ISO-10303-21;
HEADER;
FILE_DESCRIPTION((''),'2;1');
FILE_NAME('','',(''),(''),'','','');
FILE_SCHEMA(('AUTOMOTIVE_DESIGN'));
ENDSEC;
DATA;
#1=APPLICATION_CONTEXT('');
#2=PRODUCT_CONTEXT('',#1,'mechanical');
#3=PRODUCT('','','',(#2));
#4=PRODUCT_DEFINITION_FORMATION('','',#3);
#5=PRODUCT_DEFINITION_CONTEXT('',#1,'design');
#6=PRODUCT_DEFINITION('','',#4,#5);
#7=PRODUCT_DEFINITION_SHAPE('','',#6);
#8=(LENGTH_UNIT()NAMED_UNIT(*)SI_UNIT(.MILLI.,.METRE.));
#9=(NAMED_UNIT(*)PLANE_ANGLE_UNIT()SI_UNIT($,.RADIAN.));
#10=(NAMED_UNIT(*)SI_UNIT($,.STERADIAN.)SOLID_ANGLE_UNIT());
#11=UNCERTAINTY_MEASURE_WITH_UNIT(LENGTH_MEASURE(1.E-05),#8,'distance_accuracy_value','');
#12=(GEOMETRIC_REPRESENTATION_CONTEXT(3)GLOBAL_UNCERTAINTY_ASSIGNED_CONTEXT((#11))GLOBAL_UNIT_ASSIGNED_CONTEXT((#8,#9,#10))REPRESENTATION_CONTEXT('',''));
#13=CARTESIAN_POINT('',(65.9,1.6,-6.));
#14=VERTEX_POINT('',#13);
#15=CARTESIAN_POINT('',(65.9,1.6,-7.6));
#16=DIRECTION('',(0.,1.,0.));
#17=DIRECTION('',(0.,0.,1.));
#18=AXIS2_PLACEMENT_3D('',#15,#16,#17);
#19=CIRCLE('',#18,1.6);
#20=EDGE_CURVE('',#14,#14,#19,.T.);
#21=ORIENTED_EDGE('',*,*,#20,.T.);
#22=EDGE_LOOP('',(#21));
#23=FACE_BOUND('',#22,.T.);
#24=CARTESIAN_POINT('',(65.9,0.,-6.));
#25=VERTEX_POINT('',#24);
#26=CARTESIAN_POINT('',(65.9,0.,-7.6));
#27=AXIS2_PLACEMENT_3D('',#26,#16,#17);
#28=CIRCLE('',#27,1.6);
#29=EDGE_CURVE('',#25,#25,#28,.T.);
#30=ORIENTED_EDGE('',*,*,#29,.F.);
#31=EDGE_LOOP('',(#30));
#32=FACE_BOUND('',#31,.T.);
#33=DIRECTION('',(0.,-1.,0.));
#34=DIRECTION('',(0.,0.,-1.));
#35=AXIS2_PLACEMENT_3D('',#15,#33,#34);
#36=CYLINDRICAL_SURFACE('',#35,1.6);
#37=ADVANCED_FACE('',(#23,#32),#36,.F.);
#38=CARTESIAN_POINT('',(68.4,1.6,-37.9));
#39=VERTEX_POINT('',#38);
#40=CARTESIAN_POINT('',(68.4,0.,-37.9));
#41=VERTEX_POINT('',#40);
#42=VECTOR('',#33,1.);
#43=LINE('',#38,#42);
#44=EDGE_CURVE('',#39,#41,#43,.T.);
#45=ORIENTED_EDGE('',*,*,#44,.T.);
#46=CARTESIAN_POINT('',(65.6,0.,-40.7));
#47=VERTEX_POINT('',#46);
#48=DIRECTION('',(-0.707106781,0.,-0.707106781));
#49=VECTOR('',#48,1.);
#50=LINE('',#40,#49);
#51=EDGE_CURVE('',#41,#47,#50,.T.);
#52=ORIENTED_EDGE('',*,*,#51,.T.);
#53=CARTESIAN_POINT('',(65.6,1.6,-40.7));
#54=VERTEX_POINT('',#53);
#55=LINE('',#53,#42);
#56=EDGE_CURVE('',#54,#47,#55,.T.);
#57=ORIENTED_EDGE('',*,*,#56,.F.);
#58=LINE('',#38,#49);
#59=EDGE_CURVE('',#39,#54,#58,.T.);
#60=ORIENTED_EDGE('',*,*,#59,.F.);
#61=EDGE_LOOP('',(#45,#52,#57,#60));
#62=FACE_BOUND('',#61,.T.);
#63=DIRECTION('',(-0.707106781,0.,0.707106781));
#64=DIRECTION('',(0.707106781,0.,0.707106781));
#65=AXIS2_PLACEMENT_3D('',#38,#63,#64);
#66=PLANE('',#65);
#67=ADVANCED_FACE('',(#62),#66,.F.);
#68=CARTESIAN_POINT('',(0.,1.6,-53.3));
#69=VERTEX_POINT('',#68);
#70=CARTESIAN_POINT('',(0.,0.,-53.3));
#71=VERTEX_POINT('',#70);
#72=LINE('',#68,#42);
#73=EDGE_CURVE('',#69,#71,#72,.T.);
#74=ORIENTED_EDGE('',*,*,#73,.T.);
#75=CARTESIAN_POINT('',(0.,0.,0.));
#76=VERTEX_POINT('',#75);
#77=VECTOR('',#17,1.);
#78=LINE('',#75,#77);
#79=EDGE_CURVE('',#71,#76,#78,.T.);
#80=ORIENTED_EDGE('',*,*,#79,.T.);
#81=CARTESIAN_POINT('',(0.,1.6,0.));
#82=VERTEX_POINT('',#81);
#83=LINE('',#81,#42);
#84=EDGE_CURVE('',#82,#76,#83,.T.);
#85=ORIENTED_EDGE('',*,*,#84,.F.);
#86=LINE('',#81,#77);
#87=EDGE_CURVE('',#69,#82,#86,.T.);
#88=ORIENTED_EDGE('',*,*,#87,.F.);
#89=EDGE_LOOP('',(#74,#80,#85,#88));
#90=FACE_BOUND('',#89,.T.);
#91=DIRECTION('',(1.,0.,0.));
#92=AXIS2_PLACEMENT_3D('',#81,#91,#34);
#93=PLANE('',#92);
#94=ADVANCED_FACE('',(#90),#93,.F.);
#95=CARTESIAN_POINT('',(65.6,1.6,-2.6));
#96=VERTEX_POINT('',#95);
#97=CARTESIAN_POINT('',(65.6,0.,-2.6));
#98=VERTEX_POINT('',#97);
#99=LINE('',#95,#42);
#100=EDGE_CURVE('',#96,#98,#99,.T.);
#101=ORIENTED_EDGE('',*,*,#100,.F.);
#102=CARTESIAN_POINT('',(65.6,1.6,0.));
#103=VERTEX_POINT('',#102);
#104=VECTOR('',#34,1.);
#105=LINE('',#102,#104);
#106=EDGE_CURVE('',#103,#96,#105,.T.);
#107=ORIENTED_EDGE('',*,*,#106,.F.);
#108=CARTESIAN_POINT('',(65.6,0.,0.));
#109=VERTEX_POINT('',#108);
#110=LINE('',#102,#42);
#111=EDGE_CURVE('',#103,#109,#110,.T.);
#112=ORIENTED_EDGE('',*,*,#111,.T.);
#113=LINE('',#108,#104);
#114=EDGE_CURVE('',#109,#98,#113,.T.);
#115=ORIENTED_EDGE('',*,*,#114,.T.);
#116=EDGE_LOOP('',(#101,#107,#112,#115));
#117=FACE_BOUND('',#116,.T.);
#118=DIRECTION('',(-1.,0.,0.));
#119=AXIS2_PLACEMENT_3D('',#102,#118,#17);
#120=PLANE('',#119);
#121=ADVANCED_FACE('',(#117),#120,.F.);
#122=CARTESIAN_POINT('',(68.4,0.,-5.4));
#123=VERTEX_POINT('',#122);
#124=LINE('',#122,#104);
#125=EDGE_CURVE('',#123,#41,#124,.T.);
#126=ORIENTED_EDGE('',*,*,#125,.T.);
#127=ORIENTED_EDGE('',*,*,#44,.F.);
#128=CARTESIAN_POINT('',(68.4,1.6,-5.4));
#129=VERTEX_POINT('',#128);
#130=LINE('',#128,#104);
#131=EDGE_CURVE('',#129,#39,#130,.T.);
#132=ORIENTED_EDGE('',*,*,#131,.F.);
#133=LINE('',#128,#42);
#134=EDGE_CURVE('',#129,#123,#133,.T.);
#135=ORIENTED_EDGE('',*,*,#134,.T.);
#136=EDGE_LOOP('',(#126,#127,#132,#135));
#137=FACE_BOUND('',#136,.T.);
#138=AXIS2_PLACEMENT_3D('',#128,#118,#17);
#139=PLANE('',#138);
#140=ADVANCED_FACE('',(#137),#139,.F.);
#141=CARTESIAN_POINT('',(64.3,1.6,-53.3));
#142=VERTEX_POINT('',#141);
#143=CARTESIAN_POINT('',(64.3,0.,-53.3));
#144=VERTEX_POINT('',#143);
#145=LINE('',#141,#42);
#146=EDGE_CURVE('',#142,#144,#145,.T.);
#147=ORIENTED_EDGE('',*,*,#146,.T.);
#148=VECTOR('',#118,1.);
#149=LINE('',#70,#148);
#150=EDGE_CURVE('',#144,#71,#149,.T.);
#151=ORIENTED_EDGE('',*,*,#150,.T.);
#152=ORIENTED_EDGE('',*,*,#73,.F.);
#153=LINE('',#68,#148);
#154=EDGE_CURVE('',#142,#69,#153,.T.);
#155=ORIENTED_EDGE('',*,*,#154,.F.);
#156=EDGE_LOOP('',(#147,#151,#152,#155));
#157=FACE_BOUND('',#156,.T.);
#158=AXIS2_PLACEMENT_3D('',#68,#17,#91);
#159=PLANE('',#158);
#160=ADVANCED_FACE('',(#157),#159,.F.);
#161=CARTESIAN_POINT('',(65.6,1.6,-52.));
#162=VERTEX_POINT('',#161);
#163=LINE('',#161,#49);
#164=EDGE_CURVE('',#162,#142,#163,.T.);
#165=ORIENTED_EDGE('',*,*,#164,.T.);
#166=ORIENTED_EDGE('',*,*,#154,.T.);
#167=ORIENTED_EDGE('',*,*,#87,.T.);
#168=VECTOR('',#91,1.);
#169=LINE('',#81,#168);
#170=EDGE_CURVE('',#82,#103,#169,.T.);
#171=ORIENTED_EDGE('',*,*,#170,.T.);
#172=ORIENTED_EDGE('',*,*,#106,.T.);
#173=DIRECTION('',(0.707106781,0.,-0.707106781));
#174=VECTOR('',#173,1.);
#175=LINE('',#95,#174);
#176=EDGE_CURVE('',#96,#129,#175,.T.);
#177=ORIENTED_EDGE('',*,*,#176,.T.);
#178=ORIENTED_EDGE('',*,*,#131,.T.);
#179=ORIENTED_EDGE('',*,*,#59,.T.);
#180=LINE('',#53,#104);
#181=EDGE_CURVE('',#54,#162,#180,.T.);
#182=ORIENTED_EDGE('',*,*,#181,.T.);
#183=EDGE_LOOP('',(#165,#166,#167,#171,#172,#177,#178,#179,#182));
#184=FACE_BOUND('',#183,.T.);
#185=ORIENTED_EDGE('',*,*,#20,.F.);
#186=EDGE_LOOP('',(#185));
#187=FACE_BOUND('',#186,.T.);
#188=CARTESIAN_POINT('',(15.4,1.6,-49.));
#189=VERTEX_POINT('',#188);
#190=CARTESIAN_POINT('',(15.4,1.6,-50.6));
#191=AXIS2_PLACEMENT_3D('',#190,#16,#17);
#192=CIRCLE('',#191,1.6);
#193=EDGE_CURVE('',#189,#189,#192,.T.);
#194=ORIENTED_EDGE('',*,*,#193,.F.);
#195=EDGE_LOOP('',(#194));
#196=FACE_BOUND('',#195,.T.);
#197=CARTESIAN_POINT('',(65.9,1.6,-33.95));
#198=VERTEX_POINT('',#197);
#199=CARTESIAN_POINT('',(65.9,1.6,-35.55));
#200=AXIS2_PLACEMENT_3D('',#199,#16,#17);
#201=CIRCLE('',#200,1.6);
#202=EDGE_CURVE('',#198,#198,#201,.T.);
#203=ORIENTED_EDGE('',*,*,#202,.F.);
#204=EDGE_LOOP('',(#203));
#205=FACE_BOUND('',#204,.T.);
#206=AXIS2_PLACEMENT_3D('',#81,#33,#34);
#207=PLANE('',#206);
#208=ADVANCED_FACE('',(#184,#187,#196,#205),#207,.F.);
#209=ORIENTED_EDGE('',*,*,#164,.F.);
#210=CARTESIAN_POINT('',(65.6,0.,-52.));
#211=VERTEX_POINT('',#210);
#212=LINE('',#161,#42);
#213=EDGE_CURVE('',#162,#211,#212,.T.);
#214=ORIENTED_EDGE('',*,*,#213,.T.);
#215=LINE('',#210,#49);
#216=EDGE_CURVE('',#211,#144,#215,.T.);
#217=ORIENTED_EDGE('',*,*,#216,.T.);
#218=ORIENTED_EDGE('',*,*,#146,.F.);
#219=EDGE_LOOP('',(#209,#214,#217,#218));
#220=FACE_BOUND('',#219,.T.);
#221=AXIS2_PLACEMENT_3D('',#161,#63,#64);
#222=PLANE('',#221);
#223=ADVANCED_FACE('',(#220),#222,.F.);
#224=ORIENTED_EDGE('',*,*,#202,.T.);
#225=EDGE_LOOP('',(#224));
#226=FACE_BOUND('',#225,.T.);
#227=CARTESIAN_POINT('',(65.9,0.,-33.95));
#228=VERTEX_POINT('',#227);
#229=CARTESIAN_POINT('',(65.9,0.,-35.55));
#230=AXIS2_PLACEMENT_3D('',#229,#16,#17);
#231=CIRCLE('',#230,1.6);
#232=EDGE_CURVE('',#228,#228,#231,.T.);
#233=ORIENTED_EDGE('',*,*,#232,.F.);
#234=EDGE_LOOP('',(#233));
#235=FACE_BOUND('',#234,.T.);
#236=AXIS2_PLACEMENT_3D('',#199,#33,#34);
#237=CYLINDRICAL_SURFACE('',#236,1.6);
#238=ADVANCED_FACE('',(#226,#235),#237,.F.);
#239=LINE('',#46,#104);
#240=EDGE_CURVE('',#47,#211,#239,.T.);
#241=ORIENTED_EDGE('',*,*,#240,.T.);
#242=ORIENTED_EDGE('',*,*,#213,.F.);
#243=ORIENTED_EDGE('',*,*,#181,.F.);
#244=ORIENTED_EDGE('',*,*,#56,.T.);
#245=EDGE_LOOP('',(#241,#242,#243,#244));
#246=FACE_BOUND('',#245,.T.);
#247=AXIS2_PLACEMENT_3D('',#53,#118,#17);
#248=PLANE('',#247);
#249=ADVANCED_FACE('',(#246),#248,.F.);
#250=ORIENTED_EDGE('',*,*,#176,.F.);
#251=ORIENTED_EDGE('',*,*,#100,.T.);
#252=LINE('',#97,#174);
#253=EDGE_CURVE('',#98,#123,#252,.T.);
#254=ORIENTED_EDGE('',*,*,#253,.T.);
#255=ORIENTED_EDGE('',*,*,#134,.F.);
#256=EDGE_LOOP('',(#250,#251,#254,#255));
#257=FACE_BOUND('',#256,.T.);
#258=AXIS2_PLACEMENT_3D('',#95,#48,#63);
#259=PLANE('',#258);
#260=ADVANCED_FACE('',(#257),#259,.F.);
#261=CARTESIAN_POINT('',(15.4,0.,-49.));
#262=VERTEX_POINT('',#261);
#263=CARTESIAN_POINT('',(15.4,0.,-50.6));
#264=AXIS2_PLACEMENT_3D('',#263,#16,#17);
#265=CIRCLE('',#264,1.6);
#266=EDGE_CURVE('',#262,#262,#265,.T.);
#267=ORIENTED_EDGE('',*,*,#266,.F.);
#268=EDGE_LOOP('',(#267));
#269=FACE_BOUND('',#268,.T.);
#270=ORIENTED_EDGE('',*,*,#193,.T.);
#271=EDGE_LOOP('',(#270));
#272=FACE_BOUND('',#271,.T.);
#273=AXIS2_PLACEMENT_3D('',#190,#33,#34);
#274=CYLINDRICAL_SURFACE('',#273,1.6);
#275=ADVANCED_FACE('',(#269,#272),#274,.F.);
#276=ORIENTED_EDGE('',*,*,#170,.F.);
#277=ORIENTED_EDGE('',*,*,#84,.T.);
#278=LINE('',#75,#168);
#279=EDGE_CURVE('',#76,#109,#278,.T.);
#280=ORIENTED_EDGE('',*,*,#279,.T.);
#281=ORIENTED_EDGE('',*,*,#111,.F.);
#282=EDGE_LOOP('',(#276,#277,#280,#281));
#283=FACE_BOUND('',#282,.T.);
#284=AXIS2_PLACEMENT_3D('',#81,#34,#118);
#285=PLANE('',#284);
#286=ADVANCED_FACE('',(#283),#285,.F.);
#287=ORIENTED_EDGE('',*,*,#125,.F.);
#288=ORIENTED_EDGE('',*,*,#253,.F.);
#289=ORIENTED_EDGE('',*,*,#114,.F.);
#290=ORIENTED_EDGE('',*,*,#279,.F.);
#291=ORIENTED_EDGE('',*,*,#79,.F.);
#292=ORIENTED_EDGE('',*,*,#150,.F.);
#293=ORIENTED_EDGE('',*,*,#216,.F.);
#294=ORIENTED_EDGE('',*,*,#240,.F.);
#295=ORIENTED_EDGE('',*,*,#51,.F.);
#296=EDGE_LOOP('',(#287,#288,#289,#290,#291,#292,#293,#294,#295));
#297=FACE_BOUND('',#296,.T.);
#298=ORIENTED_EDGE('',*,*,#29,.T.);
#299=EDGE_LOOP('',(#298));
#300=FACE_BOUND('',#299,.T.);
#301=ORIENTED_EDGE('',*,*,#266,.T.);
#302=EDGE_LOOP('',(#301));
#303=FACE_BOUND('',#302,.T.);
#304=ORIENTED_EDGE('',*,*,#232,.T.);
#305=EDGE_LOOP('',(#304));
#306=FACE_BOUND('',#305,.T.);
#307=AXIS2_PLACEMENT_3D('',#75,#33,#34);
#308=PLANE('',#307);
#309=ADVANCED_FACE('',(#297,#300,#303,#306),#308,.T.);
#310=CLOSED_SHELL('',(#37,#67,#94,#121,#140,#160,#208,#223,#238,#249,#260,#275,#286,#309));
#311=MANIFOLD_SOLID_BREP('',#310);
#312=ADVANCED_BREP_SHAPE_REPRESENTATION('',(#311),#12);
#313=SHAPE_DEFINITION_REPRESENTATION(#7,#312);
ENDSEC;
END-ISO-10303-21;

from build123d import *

# Parameters (mm, degrees)
SKETCH1_R           = 1.6
BOSS_EXTRUDE1_DEPTH = 1.6


with BuildPart() as part:
    # Sketch1 → Boss-Extrude1 (new body)
    with BuildSketch(Plane(origin=(0, 0, 0), x_dir=(1, 0, 0), z_dir=(0, 1, 0))):
        Polygon((65.6, 0), (65.6, 2.6), (68.4, 5.4), (68.4, 37.9), (65.6, 40.7), (65.6, 52), (64.3, 53.3), (0, 53.3), (0, 0), align=None)
        with Locations(Location((65.9, 7.6, 0), (0, 0, 270))):
            Circle(SKETCH1_R, mode=Mode.SUBTRACT)
        with Locations(Location((65.9, 35.55, 0), (0, 0, 270))):
            Circle(SKETCH1_R, mode=Mode.SUBTRACT)
        with Locations(Location((15.4, 50.6, 0), (0, 0, 270))):
            Circle(SKETCH1_R, mode=Mode.SUBTRACT)
    extrude(amount=BOSS_EXTRUDE1_DEPTH)


solid = part.part
